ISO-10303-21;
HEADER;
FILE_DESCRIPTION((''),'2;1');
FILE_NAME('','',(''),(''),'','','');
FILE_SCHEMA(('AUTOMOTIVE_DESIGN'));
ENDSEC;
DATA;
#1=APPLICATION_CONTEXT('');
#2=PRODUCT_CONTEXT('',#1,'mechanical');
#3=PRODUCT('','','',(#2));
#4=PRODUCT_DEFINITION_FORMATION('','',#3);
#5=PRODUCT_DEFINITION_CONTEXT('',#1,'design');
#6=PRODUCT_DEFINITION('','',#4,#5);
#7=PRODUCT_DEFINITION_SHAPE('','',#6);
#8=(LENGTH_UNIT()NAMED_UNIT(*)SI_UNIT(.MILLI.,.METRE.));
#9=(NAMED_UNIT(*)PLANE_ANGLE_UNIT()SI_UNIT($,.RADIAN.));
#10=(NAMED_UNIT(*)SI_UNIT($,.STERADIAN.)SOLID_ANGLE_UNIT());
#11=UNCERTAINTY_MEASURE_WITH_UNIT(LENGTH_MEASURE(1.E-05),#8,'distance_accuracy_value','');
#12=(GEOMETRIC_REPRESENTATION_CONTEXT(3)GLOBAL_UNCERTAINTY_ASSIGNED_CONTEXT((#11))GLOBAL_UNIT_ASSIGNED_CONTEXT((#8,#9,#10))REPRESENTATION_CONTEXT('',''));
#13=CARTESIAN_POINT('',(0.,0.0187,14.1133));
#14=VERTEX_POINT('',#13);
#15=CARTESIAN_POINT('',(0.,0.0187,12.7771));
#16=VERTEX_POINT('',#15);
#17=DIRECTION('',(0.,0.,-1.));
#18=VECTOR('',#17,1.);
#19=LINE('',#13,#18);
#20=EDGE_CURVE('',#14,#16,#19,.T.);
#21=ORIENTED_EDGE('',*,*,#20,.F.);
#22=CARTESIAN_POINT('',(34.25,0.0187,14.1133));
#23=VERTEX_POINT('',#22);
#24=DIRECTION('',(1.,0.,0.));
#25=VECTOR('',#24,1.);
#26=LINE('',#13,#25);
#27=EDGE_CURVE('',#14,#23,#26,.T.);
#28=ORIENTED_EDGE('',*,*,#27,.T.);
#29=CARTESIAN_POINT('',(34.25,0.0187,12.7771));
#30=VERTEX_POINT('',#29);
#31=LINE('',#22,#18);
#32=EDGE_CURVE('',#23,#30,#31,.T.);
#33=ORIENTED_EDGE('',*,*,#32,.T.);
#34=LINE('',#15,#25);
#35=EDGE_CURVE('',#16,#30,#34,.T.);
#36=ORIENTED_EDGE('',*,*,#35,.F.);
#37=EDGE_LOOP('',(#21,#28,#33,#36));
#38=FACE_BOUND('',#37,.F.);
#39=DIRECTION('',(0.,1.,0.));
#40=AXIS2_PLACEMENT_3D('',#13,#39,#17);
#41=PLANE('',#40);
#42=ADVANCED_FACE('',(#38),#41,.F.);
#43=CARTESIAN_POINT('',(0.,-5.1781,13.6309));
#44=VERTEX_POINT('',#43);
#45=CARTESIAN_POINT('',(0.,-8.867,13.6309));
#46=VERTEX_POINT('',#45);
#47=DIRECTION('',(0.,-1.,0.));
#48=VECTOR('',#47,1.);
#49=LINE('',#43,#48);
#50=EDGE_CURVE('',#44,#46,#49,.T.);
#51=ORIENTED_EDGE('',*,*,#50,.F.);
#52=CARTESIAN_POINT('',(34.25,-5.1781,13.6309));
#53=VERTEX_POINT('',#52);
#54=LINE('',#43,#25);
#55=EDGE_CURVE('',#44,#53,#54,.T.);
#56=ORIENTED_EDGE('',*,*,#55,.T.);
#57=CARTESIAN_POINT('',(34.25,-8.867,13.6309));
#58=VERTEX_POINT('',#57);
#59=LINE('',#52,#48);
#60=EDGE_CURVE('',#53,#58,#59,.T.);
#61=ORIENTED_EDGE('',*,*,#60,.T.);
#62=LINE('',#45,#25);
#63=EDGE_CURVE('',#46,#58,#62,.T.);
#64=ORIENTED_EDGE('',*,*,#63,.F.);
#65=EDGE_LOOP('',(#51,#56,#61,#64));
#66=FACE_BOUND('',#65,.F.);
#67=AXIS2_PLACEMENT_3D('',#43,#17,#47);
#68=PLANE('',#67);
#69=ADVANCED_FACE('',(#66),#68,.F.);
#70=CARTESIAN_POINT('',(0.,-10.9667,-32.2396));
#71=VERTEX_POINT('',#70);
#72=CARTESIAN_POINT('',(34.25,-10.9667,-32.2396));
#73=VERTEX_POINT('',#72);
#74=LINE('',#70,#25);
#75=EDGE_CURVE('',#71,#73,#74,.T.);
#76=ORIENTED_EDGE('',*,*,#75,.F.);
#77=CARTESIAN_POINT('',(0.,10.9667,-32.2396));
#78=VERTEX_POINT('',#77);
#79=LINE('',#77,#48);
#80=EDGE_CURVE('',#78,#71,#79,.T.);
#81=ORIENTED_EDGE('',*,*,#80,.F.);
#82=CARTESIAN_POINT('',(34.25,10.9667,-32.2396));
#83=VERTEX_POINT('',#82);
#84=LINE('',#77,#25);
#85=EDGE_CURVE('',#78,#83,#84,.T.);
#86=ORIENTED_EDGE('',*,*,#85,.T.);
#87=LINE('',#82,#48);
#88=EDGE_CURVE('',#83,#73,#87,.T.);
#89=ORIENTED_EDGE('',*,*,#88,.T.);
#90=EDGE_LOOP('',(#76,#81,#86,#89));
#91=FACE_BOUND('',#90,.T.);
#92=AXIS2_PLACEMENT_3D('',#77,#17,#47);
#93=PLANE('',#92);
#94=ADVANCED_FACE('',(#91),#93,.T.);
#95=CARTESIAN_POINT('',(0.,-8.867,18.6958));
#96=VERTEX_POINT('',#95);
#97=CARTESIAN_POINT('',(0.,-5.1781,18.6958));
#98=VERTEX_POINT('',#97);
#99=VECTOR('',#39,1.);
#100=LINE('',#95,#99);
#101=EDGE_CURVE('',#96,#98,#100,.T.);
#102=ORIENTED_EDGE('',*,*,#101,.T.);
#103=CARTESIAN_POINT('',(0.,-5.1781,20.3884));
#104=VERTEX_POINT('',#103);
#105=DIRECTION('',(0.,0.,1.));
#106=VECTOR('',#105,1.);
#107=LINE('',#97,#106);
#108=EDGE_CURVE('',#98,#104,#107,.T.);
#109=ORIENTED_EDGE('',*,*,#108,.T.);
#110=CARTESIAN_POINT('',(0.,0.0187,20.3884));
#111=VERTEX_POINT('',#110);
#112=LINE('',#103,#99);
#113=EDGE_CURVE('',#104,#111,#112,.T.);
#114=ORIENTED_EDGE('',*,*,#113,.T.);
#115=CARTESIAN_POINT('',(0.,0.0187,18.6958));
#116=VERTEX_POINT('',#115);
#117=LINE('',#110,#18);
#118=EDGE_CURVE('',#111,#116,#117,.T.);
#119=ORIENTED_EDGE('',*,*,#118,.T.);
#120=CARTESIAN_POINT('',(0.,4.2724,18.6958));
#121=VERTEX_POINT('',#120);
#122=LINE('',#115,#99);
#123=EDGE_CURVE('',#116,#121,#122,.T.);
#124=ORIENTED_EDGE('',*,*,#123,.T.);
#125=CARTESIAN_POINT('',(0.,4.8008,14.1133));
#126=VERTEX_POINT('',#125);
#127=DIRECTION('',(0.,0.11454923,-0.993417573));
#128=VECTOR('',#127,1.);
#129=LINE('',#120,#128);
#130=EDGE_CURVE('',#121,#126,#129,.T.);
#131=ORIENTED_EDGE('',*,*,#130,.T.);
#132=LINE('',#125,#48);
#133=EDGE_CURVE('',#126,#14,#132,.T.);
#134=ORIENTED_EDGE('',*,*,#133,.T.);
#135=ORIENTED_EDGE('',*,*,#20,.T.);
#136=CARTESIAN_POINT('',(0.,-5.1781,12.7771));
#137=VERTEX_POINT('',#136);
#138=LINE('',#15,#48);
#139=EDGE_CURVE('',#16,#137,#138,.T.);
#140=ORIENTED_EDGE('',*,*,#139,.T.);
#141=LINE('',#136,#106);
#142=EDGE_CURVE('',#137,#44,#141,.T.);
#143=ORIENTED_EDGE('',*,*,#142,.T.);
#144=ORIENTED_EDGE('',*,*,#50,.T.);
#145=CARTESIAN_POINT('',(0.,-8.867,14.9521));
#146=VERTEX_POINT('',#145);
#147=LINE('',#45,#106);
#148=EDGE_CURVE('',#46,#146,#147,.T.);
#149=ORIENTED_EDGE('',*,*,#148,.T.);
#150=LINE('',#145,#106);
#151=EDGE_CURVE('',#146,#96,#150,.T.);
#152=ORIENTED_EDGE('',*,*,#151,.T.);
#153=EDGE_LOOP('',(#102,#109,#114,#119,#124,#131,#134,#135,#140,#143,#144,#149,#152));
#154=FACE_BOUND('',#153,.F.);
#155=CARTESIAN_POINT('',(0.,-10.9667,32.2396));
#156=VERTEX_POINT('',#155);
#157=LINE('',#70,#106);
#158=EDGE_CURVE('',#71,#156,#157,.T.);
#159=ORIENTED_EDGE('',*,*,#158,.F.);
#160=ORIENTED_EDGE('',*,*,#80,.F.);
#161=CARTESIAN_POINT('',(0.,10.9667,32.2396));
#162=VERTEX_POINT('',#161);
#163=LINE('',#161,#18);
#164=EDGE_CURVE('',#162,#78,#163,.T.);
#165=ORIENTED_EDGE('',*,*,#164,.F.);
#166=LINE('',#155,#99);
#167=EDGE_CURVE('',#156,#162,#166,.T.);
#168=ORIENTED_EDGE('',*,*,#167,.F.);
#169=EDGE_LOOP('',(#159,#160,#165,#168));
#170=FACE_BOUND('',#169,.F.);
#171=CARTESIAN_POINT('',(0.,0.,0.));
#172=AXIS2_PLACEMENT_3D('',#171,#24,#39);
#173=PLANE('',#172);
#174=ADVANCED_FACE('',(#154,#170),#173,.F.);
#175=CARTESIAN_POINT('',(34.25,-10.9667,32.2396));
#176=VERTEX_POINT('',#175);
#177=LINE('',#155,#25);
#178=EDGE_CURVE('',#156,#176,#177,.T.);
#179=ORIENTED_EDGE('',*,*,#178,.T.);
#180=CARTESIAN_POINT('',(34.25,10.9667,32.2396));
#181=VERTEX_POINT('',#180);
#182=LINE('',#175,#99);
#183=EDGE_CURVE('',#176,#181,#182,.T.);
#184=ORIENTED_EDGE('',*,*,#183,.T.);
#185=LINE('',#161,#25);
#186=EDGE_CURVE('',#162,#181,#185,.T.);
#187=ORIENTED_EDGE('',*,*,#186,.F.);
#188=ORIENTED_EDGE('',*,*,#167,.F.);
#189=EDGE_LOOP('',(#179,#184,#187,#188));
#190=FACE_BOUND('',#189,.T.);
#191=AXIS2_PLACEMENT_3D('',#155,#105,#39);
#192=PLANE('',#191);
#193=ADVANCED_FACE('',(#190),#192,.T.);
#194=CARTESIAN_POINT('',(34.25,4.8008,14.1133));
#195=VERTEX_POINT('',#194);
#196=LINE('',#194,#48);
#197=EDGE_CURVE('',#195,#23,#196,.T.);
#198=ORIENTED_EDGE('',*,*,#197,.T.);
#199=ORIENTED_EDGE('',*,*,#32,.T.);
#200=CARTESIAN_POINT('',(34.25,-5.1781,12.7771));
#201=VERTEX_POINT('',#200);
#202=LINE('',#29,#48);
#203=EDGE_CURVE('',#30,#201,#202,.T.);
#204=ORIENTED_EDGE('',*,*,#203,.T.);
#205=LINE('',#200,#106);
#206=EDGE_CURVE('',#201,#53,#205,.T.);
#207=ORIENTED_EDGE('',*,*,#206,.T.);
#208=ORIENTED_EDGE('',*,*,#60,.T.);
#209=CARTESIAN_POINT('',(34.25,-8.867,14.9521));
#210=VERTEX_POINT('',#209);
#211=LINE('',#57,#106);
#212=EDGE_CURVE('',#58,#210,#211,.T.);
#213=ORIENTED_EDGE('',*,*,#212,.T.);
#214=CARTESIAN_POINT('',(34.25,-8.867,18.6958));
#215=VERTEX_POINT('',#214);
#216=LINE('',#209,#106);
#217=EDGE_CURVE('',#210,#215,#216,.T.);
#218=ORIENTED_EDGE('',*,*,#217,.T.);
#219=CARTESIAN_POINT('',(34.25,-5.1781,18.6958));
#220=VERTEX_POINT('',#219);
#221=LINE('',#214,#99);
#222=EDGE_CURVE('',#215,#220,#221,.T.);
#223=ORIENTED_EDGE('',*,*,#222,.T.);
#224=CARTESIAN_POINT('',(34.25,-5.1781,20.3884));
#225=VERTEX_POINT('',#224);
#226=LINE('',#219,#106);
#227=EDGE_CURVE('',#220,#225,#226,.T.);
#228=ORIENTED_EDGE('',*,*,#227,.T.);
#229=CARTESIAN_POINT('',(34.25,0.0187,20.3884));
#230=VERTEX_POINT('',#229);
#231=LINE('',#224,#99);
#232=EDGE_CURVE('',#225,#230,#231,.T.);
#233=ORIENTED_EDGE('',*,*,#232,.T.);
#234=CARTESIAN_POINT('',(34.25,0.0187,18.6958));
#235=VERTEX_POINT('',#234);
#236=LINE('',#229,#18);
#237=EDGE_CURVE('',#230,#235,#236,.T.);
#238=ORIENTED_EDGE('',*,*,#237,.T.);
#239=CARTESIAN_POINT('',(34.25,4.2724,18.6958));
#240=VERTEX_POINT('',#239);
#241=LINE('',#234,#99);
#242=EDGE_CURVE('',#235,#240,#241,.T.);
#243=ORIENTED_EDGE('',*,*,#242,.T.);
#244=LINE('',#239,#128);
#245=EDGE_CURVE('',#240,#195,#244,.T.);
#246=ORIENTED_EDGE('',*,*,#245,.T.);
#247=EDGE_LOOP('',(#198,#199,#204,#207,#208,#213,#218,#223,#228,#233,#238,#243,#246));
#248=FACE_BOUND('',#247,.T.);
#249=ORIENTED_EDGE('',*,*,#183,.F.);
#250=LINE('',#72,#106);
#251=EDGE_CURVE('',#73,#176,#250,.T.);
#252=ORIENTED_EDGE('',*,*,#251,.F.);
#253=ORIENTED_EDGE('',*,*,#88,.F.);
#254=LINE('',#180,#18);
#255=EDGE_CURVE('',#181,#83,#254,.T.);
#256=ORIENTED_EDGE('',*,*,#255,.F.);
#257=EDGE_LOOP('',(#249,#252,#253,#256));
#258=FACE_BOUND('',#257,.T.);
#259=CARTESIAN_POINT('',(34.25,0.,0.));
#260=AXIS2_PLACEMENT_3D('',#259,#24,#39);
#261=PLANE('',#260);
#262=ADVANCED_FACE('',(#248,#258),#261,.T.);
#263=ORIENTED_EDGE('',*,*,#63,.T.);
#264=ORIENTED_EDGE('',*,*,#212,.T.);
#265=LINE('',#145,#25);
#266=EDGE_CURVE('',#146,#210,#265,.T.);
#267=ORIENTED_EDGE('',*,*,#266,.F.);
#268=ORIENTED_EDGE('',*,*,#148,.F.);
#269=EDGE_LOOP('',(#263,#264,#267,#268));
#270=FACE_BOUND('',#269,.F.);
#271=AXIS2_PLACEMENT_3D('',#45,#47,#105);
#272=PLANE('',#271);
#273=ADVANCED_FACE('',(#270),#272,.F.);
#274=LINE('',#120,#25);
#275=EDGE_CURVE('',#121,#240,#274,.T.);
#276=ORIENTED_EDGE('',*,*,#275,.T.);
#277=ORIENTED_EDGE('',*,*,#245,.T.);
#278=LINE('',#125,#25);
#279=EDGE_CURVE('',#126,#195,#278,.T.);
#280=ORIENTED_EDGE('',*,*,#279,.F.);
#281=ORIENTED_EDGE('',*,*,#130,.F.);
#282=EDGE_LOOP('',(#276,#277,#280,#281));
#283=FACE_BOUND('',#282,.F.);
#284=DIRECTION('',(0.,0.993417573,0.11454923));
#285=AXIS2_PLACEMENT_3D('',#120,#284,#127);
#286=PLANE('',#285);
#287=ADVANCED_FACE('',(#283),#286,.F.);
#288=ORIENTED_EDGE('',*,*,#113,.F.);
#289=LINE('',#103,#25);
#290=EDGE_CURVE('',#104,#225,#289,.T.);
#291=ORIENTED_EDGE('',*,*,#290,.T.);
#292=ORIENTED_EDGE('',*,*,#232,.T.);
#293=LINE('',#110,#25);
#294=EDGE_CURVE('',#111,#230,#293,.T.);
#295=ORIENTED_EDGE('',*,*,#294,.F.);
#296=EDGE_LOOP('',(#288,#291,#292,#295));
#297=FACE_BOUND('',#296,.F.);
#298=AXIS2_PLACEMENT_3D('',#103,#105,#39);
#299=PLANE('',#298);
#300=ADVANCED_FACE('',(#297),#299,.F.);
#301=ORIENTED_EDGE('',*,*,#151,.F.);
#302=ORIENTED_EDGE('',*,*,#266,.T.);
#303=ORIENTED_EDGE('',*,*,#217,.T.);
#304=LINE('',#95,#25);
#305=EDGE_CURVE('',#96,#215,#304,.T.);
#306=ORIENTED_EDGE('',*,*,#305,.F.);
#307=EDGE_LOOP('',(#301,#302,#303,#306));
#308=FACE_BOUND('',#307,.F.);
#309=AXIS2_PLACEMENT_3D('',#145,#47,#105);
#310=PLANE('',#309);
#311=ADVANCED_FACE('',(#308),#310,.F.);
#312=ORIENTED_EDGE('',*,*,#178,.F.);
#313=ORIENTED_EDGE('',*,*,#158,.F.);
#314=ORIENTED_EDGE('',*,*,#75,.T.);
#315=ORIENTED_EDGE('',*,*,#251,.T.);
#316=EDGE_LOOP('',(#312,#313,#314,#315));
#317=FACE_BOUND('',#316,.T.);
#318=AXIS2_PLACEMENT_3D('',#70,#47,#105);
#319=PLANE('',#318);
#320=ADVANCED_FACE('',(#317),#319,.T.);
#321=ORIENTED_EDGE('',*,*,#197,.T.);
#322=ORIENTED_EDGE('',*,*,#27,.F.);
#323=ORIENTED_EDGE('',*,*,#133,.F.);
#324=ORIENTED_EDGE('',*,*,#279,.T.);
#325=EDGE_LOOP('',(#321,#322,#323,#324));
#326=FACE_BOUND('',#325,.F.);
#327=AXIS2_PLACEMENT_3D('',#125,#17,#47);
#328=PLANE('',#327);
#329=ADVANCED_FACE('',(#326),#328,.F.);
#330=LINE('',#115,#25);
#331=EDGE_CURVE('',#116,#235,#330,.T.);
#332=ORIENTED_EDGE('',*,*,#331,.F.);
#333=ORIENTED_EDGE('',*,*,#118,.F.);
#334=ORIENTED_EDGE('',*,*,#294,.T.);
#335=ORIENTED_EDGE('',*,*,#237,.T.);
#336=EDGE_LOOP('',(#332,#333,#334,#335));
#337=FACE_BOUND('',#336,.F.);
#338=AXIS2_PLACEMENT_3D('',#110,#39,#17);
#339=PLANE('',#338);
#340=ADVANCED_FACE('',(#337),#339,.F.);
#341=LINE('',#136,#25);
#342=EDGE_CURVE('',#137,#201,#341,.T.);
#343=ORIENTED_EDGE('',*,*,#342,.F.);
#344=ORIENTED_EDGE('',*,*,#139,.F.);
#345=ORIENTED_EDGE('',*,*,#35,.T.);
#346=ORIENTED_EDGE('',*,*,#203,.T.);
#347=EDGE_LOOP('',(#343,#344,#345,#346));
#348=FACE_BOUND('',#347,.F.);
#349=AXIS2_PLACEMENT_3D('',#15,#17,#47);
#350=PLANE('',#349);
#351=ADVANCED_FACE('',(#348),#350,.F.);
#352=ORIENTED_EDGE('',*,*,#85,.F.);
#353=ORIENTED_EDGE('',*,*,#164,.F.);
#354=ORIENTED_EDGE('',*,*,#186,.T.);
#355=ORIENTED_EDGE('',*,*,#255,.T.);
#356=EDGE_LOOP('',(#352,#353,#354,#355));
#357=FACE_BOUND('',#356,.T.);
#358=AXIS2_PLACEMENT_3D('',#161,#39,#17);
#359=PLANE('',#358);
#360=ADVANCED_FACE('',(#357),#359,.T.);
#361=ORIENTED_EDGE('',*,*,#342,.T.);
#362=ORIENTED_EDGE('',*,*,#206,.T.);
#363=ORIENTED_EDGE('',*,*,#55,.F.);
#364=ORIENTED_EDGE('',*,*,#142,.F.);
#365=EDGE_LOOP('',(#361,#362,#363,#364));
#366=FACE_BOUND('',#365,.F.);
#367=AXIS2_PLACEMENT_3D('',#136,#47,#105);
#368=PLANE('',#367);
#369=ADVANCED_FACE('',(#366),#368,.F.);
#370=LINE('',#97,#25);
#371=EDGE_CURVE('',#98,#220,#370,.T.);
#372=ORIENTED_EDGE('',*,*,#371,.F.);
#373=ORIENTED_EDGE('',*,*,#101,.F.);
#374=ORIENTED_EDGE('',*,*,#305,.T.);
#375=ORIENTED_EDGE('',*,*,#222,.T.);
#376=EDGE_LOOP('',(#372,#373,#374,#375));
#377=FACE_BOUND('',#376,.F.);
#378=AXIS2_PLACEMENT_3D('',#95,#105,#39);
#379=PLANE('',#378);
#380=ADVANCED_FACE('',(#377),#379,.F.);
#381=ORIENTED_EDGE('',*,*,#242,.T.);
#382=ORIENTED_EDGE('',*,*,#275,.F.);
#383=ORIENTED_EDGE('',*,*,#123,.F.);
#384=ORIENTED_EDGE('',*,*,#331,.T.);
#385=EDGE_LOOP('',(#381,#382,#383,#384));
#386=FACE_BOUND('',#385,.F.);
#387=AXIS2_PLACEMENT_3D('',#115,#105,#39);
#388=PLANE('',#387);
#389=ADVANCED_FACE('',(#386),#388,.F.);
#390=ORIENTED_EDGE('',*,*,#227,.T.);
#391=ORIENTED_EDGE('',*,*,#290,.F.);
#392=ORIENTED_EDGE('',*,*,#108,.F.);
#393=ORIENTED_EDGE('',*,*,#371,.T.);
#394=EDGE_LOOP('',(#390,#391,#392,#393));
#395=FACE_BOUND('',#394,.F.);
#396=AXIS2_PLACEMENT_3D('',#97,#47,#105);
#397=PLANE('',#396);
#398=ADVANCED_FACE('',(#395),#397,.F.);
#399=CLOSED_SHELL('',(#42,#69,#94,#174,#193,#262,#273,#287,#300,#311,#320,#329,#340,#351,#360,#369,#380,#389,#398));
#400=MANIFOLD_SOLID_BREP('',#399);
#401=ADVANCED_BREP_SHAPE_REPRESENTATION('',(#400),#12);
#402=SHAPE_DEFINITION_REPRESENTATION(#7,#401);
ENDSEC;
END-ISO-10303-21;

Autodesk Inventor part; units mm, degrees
ref_plane "YZ Plane" through (0, 0, 0) normal (1, 0, 0) x (0, 1, 0)
ref_plane "XZ Plane" through (0, 0, 0) normal (0, 1, 0) x (-1, 0, 0)
ref_plane "XY Plane" through (0, 0, 0) normal (0, 0, 1) x (1, 0, 0)
sketch "Sketch1" plane through (0, 0, 0) normal (1, 0, 0) x (0, 1, 0)
  line L0 (10.9667, -32.2396) -> (-10.9667, -32.2396)
  line L1 (-10.9667, -32.2396) -> (-10.9667, 32.2396)
  line L2 (-10.9667, 32.2396) -> (10.9667, 32.2396)
  line L3 (10.9667, 32.2396) -> (10.9667, -32.2396)
  line L4 (10.9667, -32.2396) -> (-10.9667, 32.2396) construction
  line L5 (-10.9667, -32.2396) -> (10.9667, 32.2396) construction
  line L6 (-8.867, 14.9521) -> (-8.867, 18.6958)
  line L7 (-8.867, 18.6958) -> (-5.1781, 18.6958)
  line L8 (-5.1781, 18.6958) -> (-5.1781, 20.3884)
  line L9 (-5.1781, 20.3884) -> (0.0187, 20.3884)
  line L10 (0.0187, 20.3884) -> (0.0187, 18.6958)
  line L11 (0.0187, 18.6958) -> (4.2724, 18.6958)
  line L12 (4.2724, 18.6958) -> (4.8008, 14.1133)
  line L13 (4.8008, 14.1133) -> (0.0187, 14.1133)
  line L14 (0.0187, 14.1133) -> (0.0187, 12.7771)
  line L15 (0.0187, 12.7771) -> (-5.1781, 12.7771)
  line L16 (-5.1781, 12.7771) -> (-5.1781, 13.6309)
  line L17 (-5.1781, 13.6309) -> (-8.867, 13.6309)
  line L18 (-8.867, 13.6309) -> (-8.867, 14.9521)
  point P0 (0, 0)
extrude "Extrusion1" add sketch "Sketch1" along normal blind 34.25
properties part number "test blok"
